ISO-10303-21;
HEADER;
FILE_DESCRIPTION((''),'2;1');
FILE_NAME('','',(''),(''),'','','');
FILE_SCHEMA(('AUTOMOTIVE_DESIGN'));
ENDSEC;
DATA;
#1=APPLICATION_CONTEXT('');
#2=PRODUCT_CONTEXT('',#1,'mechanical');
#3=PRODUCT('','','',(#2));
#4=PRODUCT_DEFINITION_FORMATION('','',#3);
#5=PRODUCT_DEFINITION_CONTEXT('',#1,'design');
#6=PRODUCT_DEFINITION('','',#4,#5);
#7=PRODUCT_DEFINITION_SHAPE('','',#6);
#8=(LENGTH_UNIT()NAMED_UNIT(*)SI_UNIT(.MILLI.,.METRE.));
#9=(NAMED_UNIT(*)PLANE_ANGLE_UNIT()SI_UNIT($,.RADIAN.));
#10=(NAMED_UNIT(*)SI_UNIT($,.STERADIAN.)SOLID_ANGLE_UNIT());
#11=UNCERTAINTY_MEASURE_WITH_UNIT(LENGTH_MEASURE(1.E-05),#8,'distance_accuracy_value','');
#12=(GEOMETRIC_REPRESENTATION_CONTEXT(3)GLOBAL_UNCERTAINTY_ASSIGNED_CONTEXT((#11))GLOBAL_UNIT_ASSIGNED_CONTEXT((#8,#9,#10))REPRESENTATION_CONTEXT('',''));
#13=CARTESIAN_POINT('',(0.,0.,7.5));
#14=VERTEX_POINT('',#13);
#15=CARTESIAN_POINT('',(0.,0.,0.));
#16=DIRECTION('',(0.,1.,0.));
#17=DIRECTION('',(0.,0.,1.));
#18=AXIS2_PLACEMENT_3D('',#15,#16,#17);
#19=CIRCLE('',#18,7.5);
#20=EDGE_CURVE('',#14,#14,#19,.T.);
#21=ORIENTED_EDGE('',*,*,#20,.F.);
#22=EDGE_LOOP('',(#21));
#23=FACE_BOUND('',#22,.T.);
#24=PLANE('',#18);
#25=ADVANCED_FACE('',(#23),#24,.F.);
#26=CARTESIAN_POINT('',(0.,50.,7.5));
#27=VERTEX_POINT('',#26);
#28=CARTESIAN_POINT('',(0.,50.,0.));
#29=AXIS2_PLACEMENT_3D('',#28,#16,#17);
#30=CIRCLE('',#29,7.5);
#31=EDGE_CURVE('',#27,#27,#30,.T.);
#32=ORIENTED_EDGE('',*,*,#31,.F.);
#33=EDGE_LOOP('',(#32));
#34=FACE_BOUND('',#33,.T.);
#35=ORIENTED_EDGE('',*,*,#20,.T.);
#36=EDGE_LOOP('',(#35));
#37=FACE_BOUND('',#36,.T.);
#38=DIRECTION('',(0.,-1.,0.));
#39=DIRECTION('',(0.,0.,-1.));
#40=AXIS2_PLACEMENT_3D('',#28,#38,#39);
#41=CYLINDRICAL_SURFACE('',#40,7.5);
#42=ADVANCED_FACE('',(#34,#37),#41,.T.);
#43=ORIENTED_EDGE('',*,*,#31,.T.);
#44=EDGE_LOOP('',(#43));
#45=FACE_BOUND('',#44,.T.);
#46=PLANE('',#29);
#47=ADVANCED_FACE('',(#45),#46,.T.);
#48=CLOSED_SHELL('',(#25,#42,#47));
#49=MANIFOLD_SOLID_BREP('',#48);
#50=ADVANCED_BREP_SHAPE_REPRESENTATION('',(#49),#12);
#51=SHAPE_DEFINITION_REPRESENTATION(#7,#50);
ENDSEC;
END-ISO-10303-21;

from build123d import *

# Parameters (mm, degrees)
SKETCH1_R           = 7.5
BOSS_EXTRUDE1_DEPTH = 50


with BuildPart() as part:
    # Sketch1 → Boss-Extrude1 (new body)
    with BuildSketch(Plane(origin=(0, 0, 0), x_dir=(1, 0, 0), z_dir=(0, 1, 0))):
        Circle(SKETCH1_R)
    extrude(amount=BOSS_EXTRUDE1_DEPTH)


solid = part.part
